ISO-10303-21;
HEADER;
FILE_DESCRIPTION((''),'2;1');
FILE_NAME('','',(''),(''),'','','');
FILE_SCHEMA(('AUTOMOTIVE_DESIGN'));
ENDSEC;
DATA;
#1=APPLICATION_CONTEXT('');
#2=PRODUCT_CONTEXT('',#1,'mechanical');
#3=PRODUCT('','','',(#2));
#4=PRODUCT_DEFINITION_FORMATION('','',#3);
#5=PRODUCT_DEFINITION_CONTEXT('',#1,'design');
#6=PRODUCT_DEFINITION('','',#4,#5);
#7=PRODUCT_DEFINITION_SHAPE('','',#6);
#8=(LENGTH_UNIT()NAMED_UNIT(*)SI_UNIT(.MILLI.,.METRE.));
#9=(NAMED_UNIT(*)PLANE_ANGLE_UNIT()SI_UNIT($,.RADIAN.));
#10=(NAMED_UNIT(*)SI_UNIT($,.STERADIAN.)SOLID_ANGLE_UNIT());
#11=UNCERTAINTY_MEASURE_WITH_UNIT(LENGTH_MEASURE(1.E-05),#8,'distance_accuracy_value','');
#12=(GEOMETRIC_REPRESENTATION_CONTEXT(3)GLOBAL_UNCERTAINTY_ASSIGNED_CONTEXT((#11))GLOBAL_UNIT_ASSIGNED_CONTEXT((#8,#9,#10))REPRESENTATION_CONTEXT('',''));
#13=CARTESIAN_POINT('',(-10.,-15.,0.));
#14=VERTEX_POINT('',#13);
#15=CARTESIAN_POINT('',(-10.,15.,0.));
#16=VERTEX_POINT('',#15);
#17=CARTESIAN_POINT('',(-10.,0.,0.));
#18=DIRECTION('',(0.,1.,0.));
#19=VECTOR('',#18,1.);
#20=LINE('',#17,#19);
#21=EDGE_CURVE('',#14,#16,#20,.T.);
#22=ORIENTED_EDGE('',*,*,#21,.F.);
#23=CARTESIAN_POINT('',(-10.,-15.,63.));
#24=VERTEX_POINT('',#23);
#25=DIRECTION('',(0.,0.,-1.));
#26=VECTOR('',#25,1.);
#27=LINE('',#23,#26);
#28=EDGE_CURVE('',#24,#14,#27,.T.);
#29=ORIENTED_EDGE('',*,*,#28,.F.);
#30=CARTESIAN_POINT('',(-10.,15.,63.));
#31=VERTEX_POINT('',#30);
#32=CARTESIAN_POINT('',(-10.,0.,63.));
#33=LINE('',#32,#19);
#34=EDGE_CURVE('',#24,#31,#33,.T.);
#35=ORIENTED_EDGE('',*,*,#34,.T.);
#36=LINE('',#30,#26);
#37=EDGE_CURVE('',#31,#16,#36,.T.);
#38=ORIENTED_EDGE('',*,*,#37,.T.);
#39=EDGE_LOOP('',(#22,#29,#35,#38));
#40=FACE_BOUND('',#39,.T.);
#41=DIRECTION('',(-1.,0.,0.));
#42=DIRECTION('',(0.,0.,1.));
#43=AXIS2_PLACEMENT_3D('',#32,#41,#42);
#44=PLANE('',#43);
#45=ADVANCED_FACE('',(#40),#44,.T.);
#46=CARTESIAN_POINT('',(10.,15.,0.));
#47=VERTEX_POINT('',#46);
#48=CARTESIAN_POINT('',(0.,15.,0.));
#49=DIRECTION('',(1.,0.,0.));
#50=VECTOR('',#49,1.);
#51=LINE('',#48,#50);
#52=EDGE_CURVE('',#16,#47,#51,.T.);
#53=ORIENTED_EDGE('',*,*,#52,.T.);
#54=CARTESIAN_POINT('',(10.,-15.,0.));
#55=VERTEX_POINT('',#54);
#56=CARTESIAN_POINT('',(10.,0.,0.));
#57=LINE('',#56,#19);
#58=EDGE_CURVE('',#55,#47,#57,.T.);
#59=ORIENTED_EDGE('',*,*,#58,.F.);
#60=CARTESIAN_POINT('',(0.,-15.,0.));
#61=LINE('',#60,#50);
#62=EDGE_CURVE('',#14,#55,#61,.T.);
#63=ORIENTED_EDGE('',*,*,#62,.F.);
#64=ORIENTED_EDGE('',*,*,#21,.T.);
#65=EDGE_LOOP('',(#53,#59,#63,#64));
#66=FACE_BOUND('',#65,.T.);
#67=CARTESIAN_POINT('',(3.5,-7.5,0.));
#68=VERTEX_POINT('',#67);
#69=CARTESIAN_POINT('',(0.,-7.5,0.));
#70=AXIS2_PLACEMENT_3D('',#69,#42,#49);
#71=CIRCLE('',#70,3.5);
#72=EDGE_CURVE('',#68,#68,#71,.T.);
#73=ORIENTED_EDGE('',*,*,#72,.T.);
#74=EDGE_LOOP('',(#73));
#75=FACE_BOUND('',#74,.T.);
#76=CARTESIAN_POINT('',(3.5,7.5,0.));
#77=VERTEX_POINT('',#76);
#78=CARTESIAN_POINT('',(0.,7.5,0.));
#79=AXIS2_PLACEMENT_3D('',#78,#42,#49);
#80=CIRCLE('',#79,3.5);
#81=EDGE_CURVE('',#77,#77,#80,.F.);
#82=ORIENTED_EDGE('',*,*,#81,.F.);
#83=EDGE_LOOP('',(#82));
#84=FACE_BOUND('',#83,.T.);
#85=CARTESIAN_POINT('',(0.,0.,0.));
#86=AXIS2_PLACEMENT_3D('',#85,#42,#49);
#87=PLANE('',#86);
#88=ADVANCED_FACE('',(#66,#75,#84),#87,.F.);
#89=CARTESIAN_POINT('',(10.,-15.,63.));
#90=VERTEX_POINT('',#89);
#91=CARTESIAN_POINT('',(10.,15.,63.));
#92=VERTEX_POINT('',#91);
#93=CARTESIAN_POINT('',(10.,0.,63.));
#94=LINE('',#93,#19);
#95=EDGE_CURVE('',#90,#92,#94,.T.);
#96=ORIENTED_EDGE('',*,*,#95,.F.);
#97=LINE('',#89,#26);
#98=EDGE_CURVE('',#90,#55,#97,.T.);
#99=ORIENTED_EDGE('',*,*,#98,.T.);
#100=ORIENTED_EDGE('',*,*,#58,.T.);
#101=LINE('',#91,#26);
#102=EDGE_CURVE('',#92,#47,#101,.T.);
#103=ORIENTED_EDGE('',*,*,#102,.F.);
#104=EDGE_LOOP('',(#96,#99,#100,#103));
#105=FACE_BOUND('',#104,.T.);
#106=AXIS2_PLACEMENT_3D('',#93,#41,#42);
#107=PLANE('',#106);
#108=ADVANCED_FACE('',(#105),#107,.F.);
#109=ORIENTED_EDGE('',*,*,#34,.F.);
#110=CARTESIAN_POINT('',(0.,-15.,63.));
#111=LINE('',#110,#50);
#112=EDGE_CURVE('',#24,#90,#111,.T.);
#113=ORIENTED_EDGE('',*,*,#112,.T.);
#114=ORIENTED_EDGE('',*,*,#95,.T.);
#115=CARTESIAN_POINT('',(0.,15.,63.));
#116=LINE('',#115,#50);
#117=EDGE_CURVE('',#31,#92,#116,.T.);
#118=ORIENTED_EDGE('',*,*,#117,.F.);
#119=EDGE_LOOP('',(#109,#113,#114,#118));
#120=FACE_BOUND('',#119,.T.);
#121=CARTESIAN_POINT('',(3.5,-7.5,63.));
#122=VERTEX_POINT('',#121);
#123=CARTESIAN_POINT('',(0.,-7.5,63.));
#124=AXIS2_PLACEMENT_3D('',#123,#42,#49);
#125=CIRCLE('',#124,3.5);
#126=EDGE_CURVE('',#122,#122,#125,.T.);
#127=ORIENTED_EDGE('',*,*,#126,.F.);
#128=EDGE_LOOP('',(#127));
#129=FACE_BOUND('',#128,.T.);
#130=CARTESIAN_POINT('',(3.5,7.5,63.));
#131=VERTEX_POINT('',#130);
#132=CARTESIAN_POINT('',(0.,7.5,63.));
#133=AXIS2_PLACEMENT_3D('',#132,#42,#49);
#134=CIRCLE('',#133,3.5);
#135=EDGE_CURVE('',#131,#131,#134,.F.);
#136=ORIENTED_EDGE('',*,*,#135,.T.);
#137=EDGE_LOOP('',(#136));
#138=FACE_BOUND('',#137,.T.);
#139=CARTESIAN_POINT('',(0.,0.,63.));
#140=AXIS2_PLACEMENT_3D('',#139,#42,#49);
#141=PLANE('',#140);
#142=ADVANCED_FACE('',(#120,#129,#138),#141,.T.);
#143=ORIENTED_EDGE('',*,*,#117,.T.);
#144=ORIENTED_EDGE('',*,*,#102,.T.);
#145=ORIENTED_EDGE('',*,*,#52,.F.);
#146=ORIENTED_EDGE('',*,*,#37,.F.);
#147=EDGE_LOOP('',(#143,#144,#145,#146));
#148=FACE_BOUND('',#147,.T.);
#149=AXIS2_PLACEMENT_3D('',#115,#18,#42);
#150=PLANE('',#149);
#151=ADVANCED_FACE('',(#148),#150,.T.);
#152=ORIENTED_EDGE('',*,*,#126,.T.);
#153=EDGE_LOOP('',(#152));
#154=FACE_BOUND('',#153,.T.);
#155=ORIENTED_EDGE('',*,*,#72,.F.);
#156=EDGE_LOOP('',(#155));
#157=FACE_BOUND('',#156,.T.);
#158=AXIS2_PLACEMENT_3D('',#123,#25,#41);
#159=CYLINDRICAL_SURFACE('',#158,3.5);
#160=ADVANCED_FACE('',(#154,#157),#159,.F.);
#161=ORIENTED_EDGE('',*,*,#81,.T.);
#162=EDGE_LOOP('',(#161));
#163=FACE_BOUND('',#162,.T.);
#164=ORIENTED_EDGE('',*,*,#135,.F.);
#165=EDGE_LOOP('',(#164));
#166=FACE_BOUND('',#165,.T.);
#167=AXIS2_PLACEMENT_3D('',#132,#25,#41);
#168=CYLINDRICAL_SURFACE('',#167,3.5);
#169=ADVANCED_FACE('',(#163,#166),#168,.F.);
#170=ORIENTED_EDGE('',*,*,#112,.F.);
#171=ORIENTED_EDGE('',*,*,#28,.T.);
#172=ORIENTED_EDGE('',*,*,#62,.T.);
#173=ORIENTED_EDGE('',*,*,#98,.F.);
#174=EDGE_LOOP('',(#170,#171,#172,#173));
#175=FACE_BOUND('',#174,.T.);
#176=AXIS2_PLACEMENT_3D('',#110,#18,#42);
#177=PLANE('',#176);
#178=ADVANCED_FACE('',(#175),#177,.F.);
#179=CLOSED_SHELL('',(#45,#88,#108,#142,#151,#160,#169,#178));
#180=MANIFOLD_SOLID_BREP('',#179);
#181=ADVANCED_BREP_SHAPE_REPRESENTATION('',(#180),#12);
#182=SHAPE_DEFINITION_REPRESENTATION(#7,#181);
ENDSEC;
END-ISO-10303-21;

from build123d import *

# Parameters (mm, degrees)
SKETCH_1_W      = 20
SKETCH_1_H      = 30
SKETCH_1_R      = 3.5
EXTRUDE_1_DEPTH = 63


with BuildPart() as part:
    # 草图1 → 凸台-拉伸1 (new body)
    with BuildSketch(Plane.XY):
        Rectangle(SKETCH_1_W, SKETCH_1_H)
        with Locations((0, -7.5)):
            Circle(SKETCH_1_R, mode=Mode.SUBTRACT)
        with Locations((0, 7.5)):
            Circle(SKETCH_1_R, mode=Mode.SUBTRACT)
    extrude(amount=EXTRUDE_1_DEPTH)


solid = part.part
